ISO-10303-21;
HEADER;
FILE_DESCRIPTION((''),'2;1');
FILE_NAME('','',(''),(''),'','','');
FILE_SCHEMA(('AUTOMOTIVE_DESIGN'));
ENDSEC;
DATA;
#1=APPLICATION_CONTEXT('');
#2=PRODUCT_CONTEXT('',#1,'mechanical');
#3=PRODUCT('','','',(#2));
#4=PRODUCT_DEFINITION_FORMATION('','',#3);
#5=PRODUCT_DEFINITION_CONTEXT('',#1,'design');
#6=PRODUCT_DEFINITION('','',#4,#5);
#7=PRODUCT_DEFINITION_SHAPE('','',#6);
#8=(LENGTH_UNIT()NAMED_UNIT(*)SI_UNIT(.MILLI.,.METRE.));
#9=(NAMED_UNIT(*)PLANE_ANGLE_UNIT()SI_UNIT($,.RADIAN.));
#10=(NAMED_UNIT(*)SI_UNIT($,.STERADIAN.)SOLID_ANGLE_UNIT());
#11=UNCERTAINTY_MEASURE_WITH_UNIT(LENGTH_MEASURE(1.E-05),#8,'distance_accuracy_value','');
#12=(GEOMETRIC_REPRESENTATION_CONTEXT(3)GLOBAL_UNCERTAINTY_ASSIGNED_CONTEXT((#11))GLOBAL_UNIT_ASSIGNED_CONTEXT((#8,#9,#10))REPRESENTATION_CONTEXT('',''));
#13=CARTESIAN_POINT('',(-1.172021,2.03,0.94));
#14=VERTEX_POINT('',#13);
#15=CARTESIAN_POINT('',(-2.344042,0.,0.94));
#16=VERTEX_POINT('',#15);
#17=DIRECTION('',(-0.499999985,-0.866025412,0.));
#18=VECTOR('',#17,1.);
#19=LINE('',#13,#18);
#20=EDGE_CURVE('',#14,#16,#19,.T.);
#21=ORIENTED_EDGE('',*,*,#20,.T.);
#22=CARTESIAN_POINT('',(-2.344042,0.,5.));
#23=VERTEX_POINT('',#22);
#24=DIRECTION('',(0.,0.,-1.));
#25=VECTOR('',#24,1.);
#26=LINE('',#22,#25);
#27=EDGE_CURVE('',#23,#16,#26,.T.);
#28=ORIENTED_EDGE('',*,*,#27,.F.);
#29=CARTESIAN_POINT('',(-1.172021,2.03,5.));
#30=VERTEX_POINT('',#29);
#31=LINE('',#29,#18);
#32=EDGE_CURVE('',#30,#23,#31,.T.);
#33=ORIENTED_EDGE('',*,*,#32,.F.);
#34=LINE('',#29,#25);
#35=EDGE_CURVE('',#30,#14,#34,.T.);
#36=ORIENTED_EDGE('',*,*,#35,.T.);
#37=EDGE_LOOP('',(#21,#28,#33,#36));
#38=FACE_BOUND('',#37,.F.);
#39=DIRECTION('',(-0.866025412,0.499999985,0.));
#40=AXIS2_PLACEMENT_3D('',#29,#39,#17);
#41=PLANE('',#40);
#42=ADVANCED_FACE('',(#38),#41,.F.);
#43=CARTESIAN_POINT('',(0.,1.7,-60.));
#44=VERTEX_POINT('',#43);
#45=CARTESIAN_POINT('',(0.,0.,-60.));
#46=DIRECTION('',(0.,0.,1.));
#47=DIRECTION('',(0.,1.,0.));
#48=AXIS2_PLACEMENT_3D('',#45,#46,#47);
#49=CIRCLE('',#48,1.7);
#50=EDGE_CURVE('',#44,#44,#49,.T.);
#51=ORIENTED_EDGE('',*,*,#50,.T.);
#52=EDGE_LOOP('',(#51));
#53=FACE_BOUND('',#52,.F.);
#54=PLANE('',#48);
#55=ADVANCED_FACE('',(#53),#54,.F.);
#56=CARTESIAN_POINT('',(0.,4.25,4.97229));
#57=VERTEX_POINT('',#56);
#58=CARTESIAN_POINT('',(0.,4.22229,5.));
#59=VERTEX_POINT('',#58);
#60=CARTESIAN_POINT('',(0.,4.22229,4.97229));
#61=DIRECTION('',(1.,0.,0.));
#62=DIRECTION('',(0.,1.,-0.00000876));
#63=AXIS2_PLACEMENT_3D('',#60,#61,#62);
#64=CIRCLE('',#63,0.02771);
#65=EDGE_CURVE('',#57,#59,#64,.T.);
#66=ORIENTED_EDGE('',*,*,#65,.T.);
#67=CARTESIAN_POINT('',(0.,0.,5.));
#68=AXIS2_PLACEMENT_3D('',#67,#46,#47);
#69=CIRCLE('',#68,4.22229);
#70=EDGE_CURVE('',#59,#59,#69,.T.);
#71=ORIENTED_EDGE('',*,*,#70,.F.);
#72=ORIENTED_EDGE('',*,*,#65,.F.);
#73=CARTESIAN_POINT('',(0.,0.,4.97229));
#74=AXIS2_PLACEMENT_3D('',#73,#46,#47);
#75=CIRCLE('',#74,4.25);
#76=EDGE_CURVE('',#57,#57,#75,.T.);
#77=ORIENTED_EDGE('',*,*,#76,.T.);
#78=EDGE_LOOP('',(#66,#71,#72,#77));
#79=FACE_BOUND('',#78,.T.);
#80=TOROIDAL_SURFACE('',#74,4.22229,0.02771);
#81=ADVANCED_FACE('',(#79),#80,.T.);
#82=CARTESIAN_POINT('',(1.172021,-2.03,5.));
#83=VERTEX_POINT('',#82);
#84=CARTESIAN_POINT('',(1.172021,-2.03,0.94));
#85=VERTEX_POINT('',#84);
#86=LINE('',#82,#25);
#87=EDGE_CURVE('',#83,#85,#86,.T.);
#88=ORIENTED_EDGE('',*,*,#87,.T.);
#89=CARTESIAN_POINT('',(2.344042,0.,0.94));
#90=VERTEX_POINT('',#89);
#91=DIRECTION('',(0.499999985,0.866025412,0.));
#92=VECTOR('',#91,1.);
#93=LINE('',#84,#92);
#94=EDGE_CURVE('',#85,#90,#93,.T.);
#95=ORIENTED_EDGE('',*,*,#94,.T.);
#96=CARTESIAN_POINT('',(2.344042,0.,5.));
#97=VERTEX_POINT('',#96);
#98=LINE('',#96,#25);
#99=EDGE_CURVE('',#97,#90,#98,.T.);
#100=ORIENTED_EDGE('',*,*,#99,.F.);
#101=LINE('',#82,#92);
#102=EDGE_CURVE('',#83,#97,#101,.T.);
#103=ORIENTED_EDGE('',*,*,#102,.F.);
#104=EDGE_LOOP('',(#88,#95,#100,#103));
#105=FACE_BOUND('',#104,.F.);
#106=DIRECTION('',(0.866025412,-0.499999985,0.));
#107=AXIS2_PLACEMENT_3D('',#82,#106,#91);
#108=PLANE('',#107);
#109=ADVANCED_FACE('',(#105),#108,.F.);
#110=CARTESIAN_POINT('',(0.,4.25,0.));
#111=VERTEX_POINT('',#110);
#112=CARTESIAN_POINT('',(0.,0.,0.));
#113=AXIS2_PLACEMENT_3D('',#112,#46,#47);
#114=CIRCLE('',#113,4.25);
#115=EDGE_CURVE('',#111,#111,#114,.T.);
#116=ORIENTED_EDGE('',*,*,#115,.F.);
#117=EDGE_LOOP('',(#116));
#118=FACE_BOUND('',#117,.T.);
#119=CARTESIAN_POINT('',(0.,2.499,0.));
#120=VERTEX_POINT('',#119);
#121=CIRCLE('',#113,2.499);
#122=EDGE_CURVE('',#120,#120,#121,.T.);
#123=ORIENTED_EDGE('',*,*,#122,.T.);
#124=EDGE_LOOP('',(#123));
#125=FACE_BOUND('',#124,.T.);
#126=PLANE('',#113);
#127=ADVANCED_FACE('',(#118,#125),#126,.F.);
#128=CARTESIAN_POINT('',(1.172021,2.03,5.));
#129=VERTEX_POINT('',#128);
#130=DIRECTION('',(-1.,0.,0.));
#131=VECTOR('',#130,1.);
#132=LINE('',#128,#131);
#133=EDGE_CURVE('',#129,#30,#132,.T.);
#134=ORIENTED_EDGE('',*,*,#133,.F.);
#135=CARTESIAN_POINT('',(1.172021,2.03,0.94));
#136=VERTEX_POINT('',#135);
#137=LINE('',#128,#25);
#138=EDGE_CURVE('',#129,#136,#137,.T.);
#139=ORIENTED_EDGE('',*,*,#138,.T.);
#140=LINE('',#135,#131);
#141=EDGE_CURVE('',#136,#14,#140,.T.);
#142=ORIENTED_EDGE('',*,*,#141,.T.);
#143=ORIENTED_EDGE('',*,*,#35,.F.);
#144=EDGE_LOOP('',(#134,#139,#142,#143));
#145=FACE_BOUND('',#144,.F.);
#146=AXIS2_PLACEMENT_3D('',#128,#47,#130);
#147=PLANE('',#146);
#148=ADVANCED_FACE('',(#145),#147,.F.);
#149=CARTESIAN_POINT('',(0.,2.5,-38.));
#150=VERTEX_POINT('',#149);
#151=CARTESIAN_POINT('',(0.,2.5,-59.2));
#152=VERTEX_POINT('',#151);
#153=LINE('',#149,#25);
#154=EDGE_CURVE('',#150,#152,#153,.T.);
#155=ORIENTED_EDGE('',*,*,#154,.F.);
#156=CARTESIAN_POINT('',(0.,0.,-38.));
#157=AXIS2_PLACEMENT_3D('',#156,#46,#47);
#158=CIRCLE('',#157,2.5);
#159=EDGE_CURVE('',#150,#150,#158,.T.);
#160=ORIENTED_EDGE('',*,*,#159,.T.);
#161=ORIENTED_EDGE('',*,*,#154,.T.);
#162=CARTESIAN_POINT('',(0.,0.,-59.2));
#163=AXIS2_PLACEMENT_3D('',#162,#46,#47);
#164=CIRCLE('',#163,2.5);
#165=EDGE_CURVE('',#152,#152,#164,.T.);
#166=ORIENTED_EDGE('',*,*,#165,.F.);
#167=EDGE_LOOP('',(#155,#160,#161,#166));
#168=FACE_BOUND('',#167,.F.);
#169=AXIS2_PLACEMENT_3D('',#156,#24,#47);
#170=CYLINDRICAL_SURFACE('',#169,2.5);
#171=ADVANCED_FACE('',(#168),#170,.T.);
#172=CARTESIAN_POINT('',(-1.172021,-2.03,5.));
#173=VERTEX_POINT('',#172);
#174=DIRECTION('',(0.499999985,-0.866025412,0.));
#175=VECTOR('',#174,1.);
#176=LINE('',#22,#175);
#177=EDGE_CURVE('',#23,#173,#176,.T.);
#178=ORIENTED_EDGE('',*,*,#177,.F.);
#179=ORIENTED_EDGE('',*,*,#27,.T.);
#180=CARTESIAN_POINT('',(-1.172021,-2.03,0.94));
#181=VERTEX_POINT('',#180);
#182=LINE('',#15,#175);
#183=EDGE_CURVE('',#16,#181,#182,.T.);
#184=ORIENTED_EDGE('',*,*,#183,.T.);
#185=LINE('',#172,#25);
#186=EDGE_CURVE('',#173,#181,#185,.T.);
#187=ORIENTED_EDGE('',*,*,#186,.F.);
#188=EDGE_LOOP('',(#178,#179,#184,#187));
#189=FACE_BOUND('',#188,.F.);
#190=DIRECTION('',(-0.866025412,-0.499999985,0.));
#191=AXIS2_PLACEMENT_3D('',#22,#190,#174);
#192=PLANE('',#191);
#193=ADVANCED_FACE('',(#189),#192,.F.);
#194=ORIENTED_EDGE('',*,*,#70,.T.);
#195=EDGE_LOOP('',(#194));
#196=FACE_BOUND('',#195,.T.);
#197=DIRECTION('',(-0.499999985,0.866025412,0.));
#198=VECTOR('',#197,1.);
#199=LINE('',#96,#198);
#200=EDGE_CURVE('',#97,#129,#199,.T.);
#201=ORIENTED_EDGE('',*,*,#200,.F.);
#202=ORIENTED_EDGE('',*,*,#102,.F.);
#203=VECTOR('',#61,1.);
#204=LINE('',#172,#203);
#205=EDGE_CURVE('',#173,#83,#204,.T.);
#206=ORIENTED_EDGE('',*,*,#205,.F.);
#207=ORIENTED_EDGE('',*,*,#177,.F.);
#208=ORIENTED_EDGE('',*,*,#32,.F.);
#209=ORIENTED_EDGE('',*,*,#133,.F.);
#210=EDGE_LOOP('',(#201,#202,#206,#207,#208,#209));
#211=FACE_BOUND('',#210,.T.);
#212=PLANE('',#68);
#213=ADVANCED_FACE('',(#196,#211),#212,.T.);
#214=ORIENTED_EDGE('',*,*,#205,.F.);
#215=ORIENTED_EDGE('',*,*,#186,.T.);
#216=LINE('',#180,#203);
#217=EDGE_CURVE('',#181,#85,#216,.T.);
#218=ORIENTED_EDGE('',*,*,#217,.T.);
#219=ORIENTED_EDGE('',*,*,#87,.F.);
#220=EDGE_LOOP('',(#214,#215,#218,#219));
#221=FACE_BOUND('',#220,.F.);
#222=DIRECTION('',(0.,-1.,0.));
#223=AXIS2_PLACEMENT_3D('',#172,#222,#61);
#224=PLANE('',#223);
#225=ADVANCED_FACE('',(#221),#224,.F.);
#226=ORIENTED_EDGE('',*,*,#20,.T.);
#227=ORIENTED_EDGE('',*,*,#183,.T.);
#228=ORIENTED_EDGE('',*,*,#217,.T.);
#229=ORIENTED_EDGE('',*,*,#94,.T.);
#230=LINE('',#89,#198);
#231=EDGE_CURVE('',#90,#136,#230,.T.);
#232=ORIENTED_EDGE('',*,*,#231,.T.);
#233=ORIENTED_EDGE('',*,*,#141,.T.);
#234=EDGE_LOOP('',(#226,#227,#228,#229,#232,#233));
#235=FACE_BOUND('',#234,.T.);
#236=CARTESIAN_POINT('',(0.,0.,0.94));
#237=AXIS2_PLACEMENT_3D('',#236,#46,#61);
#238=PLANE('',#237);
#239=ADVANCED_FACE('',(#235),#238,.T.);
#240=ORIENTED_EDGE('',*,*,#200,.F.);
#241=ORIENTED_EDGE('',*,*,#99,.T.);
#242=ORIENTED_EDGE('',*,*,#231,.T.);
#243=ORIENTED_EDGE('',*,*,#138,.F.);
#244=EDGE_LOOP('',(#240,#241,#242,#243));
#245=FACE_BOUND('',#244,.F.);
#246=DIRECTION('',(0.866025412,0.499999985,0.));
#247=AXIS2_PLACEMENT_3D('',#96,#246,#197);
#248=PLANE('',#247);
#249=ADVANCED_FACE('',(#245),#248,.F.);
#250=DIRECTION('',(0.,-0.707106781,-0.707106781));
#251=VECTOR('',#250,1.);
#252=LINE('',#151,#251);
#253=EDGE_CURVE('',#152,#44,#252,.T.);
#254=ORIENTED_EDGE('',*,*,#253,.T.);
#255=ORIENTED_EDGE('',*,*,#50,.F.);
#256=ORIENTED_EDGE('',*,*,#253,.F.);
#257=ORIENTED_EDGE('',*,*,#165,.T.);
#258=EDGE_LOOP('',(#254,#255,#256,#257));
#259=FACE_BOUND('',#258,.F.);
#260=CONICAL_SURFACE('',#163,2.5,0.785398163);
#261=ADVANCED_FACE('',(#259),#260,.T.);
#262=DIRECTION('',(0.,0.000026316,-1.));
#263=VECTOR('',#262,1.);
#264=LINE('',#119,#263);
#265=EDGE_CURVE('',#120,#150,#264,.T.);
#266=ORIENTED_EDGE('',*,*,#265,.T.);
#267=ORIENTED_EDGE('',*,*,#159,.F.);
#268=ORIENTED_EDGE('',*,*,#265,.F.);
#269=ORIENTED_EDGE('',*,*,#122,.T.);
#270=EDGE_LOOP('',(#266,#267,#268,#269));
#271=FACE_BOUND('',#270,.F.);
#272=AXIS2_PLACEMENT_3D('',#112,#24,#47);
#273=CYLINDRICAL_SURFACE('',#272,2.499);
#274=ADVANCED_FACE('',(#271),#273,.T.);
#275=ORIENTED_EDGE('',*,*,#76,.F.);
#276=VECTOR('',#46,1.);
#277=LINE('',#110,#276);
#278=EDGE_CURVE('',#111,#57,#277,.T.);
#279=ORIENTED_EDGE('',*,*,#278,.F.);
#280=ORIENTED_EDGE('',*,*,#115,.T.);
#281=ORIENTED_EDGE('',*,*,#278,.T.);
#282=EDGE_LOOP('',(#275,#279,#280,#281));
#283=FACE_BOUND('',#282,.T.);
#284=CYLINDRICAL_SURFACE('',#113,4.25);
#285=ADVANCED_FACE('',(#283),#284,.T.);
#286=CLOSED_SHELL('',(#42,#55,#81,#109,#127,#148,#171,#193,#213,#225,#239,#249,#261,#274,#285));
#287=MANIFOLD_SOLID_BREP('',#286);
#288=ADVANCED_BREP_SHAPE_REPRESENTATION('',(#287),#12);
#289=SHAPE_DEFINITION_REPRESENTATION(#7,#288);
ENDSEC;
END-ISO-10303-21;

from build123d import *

# Parameters (mm, degrees)
POCKET_DEPTH = 4.06


with BuildPart() as part:
    # Sketch → Revolve (revolve)
    with BuildSketch(Plane.YZ):
        with BuildLine():
            Line((2.499, 0), (4.25, 0))
            Line((4.25, 0), (4.25, 4.97229))
            ThreePointArc((4.25, 4.97229), (4.241884, 4.991884), (4.22229, 5))
            Line((4.22229, 5), (0, 5))
            Line((0, -60), (0, 5))
            Line((1.7, -60), (0, -60))
            Line((2.5, -59.2), (1.7, -60))
            Line((2.5, -38), (2.5, -59.2))
            Line((2.499, 0), (2.5, -38))
        make_face()
    revolve(axis=Axis((0, 0, 0), (0, 0, 1)))

    # Sketch001 → Pocket (cut)
    with BuildSketch(Plane.XY.offset(5)):
        Polygon((2.344042, 0), (1.172021, 2.03), (-1.172021, 2.03), (-2.344042, 0), (-1.172021, -2.03), (1.172021, -2.03), align=None)
    extrude(amount=-POCKET_DEPTH, mode=Mode.SUBTRACT)


solid = part.part
